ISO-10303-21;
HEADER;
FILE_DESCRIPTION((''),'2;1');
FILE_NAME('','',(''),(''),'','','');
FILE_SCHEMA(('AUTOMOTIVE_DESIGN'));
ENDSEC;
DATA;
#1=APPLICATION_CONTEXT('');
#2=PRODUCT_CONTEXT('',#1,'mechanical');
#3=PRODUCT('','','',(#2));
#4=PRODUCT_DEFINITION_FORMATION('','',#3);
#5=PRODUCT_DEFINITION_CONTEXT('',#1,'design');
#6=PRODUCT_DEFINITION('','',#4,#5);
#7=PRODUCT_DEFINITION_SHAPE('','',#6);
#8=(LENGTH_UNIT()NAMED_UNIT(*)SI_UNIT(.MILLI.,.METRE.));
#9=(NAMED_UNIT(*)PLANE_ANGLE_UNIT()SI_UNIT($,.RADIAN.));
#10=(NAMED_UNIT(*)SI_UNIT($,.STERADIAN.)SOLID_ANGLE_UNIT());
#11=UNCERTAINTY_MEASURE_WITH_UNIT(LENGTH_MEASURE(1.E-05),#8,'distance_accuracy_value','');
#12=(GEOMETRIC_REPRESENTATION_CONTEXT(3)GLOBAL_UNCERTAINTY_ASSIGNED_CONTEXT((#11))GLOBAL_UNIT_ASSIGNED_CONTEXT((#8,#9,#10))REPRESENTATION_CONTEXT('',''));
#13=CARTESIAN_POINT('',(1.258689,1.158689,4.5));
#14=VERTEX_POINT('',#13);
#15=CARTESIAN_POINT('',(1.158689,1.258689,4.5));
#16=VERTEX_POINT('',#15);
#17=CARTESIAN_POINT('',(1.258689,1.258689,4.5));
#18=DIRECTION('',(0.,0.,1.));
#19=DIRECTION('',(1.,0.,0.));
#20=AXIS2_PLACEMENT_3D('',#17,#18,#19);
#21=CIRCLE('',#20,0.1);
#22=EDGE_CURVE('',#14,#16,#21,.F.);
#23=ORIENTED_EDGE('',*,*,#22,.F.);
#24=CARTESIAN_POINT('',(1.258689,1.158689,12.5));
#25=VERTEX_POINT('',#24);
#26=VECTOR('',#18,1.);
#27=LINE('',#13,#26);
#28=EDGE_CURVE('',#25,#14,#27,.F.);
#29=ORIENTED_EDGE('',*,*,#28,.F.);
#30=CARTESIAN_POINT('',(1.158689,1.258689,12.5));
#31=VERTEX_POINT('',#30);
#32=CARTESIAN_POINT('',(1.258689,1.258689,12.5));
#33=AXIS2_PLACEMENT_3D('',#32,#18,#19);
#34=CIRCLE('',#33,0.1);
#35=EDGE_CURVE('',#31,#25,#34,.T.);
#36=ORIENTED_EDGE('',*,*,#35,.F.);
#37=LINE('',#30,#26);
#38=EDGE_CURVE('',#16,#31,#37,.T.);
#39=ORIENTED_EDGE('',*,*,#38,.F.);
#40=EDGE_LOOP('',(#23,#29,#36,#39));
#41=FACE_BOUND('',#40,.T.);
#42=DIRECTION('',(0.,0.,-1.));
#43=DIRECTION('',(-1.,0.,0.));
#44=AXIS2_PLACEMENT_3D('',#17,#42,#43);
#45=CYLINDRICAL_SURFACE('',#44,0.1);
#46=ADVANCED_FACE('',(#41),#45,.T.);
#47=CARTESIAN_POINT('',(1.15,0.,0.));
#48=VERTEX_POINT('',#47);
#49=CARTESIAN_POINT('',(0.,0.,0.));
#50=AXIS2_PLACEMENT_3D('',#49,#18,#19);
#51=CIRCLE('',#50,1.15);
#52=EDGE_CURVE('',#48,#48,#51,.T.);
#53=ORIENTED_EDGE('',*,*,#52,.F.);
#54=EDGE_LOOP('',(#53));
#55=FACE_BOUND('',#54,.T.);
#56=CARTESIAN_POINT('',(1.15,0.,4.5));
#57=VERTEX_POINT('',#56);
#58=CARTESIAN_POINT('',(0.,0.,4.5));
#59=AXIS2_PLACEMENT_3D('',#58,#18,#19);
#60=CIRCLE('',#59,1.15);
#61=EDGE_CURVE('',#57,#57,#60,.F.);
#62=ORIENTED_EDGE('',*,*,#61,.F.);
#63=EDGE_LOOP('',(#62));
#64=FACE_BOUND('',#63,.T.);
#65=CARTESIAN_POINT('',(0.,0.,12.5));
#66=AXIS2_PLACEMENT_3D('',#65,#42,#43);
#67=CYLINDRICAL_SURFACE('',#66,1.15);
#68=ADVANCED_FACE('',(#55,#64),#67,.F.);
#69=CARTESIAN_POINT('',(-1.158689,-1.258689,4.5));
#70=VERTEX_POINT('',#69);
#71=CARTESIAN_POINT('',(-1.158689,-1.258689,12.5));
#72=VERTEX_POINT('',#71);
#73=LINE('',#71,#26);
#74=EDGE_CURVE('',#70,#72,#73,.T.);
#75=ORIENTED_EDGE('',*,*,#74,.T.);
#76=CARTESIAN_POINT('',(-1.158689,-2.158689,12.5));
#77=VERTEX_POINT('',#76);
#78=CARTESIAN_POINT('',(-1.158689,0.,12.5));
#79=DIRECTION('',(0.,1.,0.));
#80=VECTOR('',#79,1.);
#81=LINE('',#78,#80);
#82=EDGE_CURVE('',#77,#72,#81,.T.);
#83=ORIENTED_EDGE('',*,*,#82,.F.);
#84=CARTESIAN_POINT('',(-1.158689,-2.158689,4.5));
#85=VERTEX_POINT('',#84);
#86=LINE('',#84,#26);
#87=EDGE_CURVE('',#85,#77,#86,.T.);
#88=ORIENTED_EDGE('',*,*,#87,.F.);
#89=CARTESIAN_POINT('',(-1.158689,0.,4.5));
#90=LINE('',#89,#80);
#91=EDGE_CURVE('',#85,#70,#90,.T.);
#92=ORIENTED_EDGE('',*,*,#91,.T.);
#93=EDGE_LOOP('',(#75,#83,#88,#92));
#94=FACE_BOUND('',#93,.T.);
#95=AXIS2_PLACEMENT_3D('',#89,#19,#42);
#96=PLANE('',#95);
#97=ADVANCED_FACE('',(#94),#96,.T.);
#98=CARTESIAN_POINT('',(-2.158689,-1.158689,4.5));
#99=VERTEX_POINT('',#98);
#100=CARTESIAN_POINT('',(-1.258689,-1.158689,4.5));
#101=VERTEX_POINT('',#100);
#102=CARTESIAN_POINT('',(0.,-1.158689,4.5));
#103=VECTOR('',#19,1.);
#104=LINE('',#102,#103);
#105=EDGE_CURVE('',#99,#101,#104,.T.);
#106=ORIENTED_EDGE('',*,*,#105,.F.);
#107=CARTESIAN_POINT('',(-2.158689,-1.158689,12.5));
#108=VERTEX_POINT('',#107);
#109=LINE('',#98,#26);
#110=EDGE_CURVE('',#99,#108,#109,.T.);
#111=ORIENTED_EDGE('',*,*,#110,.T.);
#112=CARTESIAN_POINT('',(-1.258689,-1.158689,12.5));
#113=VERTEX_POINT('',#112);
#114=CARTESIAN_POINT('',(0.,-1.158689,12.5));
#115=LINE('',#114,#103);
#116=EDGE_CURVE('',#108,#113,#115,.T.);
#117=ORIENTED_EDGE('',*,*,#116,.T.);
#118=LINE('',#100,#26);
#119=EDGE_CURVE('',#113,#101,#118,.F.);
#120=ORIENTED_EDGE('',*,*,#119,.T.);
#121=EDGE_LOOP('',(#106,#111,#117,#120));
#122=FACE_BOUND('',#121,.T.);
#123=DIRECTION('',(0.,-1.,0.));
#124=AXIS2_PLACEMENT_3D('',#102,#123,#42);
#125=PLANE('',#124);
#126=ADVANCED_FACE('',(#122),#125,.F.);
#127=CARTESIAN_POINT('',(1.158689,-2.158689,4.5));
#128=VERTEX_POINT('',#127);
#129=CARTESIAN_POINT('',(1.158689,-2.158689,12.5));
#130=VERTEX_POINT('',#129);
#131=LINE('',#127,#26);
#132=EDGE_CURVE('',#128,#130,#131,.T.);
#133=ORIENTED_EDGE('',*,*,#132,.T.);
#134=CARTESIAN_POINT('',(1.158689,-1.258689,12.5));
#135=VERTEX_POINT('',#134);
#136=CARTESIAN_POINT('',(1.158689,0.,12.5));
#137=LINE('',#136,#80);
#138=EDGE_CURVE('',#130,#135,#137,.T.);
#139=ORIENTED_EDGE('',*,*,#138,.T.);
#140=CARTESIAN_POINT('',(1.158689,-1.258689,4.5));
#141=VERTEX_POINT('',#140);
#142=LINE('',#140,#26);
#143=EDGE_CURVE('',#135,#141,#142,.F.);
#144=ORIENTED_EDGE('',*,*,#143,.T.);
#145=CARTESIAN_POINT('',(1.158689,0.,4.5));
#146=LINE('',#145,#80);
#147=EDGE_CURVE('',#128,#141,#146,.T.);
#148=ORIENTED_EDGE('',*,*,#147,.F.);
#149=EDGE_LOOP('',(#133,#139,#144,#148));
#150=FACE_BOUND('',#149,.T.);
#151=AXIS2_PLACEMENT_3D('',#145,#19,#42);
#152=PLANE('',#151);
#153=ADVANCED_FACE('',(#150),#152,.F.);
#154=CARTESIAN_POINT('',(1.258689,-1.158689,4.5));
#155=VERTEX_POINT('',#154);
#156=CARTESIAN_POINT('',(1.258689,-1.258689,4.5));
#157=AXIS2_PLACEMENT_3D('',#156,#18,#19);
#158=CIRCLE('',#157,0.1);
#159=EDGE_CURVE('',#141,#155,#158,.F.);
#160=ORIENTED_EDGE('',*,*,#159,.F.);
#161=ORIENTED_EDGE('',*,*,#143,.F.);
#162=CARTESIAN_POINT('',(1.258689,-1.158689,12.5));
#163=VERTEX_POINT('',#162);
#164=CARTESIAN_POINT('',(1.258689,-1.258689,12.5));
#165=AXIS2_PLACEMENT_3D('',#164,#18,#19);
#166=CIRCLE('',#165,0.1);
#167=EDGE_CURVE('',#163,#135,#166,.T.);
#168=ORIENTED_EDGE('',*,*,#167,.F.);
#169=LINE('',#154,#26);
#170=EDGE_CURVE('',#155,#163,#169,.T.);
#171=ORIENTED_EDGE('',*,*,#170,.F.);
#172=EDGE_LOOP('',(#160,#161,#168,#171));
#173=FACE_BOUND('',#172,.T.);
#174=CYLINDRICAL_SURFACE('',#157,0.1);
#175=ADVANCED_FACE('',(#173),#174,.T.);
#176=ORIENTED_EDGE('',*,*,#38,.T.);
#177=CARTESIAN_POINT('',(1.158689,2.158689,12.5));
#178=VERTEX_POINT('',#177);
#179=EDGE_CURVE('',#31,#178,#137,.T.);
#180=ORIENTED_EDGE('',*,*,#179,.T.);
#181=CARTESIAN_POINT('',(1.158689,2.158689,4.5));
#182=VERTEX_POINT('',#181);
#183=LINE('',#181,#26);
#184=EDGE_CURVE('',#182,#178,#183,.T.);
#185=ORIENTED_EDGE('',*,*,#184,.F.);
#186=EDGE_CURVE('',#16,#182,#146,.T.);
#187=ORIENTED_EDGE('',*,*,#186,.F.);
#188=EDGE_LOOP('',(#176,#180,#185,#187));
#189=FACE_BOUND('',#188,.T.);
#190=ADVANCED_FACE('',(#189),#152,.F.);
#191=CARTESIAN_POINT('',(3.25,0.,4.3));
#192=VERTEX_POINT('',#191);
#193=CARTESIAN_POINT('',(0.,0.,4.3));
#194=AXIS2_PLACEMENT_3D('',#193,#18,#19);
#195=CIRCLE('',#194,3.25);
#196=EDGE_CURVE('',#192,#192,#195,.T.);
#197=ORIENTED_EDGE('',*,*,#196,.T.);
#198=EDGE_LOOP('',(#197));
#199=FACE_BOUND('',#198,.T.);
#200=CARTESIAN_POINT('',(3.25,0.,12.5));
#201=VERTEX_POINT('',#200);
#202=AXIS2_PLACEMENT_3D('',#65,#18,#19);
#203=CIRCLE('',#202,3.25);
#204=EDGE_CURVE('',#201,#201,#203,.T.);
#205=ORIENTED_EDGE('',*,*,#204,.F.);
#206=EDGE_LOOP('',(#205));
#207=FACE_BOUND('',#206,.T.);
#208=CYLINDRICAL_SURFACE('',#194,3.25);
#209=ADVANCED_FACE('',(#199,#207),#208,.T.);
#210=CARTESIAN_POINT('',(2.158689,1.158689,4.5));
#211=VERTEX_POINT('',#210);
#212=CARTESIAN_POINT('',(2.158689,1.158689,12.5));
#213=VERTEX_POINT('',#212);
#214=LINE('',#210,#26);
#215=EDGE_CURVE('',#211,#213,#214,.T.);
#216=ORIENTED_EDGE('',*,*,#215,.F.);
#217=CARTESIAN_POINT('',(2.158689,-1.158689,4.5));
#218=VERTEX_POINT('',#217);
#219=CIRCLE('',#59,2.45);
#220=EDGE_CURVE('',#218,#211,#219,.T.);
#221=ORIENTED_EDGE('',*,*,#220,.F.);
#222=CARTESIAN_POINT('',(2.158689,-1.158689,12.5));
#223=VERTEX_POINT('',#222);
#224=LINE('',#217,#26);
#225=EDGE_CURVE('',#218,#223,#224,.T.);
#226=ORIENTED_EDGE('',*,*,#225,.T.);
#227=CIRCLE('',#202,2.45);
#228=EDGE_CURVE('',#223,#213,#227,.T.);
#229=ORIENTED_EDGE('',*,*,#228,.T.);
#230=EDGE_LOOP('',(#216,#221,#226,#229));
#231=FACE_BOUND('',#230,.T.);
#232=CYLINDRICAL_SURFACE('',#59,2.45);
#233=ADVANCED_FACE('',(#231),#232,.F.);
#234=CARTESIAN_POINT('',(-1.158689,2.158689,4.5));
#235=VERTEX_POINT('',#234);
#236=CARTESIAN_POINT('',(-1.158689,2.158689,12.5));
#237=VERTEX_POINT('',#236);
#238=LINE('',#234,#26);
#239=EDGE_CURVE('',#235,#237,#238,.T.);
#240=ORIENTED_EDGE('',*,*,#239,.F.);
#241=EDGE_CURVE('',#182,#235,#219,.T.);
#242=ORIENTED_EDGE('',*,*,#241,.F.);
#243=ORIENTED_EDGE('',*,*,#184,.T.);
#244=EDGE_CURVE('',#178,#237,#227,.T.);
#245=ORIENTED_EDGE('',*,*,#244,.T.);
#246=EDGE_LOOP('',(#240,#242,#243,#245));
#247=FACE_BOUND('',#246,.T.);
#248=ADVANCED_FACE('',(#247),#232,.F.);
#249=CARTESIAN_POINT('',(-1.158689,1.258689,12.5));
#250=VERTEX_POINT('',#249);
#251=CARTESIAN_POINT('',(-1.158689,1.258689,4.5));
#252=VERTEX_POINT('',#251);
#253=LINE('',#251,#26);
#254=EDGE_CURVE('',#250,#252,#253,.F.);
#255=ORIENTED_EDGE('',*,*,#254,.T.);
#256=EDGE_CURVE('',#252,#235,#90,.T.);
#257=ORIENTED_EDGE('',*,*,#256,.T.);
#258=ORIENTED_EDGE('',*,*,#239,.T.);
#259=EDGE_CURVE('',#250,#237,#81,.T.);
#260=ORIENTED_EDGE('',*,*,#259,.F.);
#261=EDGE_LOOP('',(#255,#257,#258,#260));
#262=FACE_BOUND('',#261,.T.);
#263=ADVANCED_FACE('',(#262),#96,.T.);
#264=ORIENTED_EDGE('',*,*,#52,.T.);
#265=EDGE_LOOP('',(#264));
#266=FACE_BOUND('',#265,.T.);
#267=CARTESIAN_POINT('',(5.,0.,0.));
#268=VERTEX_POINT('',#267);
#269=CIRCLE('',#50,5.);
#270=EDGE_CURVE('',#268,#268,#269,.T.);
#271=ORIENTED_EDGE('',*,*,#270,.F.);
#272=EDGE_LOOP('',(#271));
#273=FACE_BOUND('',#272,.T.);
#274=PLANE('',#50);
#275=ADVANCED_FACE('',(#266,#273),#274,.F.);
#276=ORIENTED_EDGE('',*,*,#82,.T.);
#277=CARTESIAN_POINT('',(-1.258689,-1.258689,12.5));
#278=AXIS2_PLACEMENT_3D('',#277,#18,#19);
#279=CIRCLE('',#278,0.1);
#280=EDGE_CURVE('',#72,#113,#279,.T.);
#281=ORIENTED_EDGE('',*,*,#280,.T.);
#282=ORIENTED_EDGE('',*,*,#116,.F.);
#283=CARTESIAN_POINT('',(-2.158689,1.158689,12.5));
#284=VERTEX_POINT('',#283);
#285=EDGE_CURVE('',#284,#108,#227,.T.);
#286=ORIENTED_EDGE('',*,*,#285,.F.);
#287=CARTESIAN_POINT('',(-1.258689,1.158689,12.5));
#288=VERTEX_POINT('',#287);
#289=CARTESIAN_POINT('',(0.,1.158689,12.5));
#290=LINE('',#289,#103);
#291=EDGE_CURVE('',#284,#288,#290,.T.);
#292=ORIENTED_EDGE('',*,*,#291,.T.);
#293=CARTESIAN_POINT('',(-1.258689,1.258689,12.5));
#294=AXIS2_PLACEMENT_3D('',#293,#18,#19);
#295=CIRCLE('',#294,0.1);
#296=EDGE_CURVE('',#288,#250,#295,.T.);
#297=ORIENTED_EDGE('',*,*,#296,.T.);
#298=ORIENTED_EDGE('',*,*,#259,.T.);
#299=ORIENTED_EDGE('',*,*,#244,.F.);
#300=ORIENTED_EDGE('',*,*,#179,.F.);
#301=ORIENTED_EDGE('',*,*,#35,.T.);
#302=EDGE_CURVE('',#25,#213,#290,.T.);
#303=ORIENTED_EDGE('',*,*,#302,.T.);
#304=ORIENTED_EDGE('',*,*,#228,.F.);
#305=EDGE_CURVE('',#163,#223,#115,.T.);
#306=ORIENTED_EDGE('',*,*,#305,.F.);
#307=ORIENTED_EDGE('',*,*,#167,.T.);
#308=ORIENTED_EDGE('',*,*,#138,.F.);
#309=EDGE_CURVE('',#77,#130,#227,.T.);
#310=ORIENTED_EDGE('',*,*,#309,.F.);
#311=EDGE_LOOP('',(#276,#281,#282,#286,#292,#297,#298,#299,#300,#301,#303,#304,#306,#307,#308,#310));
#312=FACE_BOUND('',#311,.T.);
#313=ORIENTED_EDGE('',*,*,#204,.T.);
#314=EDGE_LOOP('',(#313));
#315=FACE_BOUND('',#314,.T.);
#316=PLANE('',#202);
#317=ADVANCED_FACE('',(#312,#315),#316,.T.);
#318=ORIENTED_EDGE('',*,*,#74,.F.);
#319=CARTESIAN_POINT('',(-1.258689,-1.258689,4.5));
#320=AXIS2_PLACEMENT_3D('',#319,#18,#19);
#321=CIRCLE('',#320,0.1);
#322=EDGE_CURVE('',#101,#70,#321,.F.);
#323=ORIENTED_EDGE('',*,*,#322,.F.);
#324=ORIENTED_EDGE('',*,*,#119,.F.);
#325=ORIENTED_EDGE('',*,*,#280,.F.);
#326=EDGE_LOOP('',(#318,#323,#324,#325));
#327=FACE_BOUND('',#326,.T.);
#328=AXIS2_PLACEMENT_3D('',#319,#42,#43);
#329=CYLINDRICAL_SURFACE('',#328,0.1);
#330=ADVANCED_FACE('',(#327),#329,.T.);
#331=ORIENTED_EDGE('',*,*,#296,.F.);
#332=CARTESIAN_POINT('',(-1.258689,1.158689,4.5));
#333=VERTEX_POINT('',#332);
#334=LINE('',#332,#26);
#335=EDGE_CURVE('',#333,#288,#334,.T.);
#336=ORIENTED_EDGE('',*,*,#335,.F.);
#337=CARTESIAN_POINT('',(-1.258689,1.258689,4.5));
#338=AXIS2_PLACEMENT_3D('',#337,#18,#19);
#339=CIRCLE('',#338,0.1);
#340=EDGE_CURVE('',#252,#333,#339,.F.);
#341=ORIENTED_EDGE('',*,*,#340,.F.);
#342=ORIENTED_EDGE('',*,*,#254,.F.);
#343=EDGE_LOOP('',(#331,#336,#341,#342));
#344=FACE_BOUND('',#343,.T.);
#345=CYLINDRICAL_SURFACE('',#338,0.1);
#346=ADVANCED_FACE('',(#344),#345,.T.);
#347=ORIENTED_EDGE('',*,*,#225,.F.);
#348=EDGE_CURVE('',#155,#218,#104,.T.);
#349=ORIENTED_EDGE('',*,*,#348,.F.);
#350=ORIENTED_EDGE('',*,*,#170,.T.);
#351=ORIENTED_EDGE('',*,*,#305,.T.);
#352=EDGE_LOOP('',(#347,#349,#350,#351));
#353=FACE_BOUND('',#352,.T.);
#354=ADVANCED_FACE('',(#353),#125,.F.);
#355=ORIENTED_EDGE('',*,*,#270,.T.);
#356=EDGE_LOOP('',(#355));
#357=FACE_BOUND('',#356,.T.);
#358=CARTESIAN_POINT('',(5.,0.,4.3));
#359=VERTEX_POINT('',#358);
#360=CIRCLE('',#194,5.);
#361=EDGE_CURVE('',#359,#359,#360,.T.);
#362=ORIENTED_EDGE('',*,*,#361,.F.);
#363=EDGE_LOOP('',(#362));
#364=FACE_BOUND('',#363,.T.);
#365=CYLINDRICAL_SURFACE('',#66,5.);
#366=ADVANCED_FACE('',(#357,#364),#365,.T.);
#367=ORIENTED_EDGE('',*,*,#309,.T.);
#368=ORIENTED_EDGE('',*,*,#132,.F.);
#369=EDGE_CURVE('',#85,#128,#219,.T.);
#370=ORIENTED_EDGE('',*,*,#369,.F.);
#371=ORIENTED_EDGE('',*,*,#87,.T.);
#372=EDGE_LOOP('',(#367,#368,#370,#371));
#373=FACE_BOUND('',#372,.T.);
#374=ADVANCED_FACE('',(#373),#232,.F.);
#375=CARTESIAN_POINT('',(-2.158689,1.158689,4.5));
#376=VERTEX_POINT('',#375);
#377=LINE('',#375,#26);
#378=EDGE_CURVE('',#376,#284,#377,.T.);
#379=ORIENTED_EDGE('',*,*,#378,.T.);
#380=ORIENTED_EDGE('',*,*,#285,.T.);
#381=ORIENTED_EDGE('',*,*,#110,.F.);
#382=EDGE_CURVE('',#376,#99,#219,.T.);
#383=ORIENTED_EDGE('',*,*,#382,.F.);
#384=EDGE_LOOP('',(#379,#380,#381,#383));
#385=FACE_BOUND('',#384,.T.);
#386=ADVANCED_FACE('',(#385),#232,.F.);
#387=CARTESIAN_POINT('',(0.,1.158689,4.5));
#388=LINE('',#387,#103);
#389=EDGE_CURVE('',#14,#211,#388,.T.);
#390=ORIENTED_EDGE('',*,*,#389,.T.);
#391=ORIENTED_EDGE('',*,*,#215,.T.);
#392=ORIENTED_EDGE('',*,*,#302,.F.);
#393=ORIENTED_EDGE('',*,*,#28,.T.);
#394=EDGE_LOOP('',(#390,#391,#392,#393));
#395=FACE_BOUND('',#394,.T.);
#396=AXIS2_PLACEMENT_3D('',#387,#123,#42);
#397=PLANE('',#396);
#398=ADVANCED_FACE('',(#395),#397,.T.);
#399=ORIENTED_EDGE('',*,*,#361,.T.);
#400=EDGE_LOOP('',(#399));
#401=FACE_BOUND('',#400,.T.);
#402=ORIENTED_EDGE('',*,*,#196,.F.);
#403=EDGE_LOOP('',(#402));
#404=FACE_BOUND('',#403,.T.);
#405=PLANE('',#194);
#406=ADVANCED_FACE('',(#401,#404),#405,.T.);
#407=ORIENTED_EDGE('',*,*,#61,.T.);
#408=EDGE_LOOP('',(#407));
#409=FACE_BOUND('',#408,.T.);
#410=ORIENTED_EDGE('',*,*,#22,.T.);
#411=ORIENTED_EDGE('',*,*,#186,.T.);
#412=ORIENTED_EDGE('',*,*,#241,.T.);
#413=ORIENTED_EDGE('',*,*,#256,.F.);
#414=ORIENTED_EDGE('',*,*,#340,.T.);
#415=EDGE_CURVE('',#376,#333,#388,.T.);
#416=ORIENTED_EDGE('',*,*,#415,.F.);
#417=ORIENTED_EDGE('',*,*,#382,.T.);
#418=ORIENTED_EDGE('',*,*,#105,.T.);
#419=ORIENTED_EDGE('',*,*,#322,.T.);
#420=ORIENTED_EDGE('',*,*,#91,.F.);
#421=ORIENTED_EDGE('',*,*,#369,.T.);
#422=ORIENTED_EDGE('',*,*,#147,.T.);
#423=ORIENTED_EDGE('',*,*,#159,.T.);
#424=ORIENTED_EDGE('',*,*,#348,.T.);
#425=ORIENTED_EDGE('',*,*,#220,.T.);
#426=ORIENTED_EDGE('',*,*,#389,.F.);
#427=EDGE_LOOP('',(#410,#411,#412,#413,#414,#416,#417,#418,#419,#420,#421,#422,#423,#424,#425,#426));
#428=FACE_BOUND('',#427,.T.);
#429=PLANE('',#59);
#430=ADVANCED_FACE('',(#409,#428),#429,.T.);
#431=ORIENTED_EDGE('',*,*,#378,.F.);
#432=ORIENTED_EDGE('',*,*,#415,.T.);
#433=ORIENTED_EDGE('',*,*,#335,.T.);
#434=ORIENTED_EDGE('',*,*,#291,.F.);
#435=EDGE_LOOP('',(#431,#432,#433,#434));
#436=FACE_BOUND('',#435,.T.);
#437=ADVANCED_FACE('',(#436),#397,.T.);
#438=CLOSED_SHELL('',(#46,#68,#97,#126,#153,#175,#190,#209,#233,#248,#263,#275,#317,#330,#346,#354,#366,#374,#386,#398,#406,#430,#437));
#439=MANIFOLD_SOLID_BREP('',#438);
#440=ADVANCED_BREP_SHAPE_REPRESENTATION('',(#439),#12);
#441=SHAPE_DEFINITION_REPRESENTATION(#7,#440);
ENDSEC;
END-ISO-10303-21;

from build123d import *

# Parameters (mm, degrees)
SKETCH_1_R          = 5
SKETCH_1_R_2        = 1.15
EXTRUDE_1_DEPTH     = 12.5
CUT_EXTRUDE_START   = -8.2
SKETCH_2_R          = 5
SKETCH_2_R_2        = 3.25
CUT_EXTRUDE_5_DEPTH = 8.2
CUT_EXTRUDE_START_2 = -8
SKETCH_2_7_R        = 1.15
CUT_EXTRUDE_6_DEPTH = 8
FILLET_1_R          = 0.1


with BuildPart() as part:
    # 草图1 → 凸台-拉伸1 (new body)
    with BuildSketch(Plane.XY):
        Circle(SKETCH_1_R)
        Circle(SKETCH_1_R_2, mode=Mode.SUBTRACT)
    extrude(amount=EXTRUDE_1_DEPTH)

    # 草图2 → 切除-拉伸5 (cut)
    with BuildSketch(Plane.XY.offset(12.5).offset(CUT_EXTRUDE_START)):
        Circle(SKETCH_2_R)
        Circle(SKETCH_2_R_2, mode=Mode.SUBTRACT)
    extrude(amount=CUT_EXTRUDE_5_DEPTH, mode=Mode.SUBTRACT)

    # 草图2<7> → 切除-拉伸6 (cut)
    with BuildSketch(Plane.XY.offset(12.5).offset(CUT_EXTRUDE_START_2)):
        with BuildLine():
            Line((2.158689242, 1.158689242), (1.158689242, 1.158689242))
            Line((1.158689242, 1.158689242), (1.158689242, 2.158689242))
            ThreePointArc((1.158689242, 2.158689242), (0, 2.45), (-1.158689242, 2.158689242))
            Line((-1.158689242, 2.158689242), (-1.158689242, 1.158689242))
            Line((-1.158689242, 1.158689242), (-2.158689242, 1.158689242))
            ThreePointArc((-2.158689242, 1.158689242), (-2.45, 0), (-2.158689242, -1.158689242))
            Line((-2.158689242, -1.158689242), (-1.158689242, -1.158689242))
            Line((-1.158689242, -1.158689242), (-1.158689242, -2.158689242))
            ThreePointArc((-1.158689242, -2.158689242), (0, -2.45), (1.158689242, -2.158689242))
            Line((1.158689242, -2.158689242), (1.158689242, -1.158689242))
            Line((1.158689242, -1.158689242), (2.158689242, -1.158689242))
            ThreePointArc((2.158689242, -1.158689242), (2.376056464, -0.597373986), (2.45, 0))
            ThreePointArc((2.45, 0), (2.376056464, 0.597373986), (2.158689242, 1.158689242))
        make_face()
        Circle(SKETCH_2_7_R, mode=Mode.SUBTRACT)
    extrude(amount=CUT_EXTRUDE_6_DEPTH, mode=Mode.SUBTRACT)

    # 圆角1
    fillet_1_edges = [part.edges().sort_by_distance(p)[0] for p in [
        (1.158689242, 1.158689242, 8.5),
        (1.158689242, -1.158689242, 8.5),
        (-1.158689242, -1.158689242, 8.5),
        (-1.158689242, 1.158689242, 8.5),
    ]]
    fillet(fillet_1_edges, radius=FILLET_1_R)


solid = part.part
